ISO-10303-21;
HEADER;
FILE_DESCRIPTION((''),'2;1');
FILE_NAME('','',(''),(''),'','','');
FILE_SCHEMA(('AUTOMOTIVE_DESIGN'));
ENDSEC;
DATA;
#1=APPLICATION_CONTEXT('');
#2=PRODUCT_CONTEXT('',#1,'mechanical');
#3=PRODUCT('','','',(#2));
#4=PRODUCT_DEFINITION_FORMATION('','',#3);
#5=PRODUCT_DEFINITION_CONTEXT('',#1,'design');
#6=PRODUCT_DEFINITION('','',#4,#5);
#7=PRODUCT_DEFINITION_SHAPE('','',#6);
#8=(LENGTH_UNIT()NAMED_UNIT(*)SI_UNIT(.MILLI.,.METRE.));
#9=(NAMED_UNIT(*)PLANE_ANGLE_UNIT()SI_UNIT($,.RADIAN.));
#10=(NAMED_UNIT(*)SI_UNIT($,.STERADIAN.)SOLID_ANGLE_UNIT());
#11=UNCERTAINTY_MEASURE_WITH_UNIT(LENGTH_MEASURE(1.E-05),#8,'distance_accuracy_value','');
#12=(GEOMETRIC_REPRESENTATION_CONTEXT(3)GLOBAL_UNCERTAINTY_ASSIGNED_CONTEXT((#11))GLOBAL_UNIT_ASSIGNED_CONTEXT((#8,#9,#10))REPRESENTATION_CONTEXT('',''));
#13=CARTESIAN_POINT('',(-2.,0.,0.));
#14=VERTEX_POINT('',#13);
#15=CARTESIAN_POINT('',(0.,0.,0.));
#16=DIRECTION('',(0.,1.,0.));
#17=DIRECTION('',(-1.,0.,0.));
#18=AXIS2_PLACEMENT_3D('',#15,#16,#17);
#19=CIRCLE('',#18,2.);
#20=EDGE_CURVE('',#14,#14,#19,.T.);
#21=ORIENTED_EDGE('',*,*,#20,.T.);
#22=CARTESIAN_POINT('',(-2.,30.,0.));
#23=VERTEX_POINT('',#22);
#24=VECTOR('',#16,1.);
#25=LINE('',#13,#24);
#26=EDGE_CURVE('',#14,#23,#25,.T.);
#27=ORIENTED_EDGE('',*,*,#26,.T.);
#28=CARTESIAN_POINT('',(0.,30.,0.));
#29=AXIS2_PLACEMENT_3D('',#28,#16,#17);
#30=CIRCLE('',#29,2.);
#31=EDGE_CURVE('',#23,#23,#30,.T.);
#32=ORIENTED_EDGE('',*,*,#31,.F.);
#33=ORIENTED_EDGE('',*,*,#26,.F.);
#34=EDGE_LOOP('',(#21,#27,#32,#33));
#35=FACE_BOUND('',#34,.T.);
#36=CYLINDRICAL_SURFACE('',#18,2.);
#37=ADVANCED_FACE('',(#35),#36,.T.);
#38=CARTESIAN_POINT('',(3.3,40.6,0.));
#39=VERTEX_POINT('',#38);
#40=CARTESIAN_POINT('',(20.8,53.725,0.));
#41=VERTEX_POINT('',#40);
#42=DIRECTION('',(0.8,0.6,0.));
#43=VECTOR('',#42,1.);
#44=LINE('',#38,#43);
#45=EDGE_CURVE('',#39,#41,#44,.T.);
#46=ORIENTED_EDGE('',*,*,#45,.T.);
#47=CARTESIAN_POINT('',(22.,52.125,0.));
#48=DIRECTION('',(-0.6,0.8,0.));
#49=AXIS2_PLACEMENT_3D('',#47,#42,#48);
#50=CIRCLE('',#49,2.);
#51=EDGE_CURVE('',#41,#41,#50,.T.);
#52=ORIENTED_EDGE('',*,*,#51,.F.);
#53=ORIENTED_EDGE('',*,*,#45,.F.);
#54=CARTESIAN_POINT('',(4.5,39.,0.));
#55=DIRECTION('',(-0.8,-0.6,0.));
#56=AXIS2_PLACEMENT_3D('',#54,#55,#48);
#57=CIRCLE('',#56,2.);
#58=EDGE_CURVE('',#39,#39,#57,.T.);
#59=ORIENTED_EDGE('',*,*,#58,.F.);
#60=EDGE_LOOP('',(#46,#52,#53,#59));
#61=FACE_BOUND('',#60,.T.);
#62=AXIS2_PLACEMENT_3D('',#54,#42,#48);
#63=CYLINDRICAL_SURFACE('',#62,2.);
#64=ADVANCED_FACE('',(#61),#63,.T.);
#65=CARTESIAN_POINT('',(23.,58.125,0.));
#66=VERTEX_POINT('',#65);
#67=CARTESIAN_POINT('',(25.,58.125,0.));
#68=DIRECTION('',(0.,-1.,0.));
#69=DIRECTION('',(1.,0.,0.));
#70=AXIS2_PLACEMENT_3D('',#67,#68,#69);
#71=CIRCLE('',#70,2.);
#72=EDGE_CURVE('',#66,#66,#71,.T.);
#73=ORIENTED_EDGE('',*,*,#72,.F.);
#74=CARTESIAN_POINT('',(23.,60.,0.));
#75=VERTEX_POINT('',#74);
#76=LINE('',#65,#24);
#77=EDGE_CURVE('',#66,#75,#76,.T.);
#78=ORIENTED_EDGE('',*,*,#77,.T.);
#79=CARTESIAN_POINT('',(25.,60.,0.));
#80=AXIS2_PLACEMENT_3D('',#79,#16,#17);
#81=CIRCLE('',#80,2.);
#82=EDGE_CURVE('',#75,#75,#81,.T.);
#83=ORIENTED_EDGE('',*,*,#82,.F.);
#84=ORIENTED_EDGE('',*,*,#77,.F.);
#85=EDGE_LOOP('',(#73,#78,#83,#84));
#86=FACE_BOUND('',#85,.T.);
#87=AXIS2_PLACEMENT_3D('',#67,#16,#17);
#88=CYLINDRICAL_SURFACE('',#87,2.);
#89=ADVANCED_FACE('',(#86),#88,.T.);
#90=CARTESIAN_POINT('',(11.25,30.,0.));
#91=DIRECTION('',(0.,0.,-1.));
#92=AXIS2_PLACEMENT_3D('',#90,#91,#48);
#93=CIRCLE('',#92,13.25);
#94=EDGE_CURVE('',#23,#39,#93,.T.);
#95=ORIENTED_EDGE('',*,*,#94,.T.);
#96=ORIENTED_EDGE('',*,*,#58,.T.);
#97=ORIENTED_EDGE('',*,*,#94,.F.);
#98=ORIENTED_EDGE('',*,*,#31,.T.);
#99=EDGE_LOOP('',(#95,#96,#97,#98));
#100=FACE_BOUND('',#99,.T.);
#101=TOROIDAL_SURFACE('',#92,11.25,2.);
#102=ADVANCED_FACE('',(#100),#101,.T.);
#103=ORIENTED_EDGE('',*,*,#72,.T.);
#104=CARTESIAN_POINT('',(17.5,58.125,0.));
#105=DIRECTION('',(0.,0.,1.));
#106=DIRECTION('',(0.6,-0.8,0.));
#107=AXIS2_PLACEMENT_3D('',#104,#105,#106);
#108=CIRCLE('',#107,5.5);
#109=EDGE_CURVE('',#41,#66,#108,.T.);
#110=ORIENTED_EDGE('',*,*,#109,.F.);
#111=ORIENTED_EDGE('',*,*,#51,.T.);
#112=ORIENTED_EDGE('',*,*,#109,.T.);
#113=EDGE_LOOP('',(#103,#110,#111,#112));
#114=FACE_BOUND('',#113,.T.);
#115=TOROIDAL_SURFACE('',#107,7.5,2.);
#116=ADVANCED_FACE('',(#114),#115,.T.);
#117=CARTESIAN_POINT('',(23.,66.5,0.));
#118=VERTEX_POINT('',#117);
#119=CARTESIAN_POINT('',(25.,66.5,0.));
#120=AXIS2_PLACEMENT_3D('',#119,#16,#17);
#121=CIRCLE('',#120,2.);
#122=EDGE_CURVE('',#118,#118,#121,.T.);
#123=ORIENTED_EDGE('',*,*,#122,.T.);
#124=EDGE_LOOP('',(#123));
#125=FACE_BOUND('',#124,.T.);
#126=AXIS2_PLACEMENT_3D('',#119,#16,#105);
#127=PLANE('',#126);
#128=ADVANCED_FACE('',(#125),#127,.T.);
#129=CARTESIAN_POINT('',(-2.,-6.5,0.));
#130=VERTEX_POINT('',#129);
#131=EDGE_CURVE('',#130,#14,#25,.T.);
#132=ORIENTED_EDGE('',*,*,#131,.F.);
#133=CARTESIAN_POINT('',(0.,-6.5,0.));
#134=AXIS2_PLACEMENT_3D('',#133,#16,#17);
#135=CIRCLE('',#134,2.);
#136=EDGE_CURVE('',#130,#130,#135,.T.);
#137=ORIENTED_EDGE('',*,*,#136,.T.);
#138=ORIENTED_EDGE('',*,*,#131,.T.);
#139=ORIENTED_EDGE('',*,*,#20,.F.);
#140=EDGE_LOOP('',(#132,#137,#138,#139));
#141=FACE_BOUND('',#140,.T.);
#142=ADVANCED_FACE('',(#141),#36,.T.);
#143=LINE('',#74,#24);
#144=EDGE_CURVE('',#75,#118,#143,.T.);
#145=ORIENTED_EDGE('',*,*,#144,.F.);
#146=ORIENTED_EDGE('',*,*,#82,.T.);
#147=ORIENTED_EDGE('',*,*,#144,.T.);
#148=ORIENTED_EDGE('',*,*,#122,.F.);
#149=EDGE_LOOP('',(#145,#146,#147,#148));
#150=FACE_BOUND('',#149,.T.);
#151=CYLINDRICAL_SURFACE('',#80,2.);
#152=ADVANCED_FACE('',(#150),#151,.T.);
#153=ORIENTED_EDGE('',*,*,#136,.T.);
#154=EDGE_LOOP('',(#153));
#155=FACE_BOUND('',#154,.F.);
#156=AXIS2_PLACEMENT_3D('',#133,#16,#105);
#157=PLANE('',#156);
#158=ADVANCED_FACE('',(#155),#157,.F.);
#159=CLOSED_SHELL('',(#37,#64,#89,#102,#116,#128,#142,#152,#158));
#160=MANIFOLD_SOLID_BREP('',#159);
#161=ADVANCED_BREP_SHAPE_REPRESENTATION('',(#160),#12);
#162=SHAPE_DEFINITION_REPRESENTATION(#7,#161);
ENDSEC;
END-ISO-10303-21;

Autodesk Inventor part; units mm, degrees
ref_plane "YZ Plane" through (0, 0, 0) normal (1, 0, 0) x (0, 1, 0)
ref_plane "XZ Plane" through (0, 0, 0) normal (0, 1, 0) x (-1, 0, 0)
ref_plane "XY Plane" through (0, 0, 0) normal (0, 0, 1) x (1, 0, 0)
sketch "Skizze1" plane through (0, 0, 0) normal (0, 0, 1) x (1, 0, 0)
  line L0 (0, 0) -> (0, 30)
  arc A0 (4.5, 39) -> (0, 30) centre (11.25, 30) ccw
  line L1 (4.5, 39) -> (22, 52.125)
  arc A1 (22, 52.125) -> (25, 58.125) centre (17.5, 58.125) ccw
  line L2 (25, 58.125) -> (25, 60)
  line L3 (25, 60) -> (25, 66.5)
  line L4 (0, 0) -> (0, -6.5)
  dimension "d4" = 30
  dimension "d5" = 60
  dimension "d6" = 25
  dimension "d16" = 4.5
  dimension "d17" = 9
  dimension "d18" = 3
  dimension "d19" = 6.5
  dimension "d20" = 6.5
sketch "Skizze2" plane through (0, 0, 0) normal (0, 1, 0) x (-1, 0, 0)
  circle A0 centre (0, 0) radius 2
  dimension "d1" = 4
sweep "Sweeping1" add profiles "Skizze2" path "Skizze1"
equation "\"d20\" = d19"
properties part number "rear iron bar"
